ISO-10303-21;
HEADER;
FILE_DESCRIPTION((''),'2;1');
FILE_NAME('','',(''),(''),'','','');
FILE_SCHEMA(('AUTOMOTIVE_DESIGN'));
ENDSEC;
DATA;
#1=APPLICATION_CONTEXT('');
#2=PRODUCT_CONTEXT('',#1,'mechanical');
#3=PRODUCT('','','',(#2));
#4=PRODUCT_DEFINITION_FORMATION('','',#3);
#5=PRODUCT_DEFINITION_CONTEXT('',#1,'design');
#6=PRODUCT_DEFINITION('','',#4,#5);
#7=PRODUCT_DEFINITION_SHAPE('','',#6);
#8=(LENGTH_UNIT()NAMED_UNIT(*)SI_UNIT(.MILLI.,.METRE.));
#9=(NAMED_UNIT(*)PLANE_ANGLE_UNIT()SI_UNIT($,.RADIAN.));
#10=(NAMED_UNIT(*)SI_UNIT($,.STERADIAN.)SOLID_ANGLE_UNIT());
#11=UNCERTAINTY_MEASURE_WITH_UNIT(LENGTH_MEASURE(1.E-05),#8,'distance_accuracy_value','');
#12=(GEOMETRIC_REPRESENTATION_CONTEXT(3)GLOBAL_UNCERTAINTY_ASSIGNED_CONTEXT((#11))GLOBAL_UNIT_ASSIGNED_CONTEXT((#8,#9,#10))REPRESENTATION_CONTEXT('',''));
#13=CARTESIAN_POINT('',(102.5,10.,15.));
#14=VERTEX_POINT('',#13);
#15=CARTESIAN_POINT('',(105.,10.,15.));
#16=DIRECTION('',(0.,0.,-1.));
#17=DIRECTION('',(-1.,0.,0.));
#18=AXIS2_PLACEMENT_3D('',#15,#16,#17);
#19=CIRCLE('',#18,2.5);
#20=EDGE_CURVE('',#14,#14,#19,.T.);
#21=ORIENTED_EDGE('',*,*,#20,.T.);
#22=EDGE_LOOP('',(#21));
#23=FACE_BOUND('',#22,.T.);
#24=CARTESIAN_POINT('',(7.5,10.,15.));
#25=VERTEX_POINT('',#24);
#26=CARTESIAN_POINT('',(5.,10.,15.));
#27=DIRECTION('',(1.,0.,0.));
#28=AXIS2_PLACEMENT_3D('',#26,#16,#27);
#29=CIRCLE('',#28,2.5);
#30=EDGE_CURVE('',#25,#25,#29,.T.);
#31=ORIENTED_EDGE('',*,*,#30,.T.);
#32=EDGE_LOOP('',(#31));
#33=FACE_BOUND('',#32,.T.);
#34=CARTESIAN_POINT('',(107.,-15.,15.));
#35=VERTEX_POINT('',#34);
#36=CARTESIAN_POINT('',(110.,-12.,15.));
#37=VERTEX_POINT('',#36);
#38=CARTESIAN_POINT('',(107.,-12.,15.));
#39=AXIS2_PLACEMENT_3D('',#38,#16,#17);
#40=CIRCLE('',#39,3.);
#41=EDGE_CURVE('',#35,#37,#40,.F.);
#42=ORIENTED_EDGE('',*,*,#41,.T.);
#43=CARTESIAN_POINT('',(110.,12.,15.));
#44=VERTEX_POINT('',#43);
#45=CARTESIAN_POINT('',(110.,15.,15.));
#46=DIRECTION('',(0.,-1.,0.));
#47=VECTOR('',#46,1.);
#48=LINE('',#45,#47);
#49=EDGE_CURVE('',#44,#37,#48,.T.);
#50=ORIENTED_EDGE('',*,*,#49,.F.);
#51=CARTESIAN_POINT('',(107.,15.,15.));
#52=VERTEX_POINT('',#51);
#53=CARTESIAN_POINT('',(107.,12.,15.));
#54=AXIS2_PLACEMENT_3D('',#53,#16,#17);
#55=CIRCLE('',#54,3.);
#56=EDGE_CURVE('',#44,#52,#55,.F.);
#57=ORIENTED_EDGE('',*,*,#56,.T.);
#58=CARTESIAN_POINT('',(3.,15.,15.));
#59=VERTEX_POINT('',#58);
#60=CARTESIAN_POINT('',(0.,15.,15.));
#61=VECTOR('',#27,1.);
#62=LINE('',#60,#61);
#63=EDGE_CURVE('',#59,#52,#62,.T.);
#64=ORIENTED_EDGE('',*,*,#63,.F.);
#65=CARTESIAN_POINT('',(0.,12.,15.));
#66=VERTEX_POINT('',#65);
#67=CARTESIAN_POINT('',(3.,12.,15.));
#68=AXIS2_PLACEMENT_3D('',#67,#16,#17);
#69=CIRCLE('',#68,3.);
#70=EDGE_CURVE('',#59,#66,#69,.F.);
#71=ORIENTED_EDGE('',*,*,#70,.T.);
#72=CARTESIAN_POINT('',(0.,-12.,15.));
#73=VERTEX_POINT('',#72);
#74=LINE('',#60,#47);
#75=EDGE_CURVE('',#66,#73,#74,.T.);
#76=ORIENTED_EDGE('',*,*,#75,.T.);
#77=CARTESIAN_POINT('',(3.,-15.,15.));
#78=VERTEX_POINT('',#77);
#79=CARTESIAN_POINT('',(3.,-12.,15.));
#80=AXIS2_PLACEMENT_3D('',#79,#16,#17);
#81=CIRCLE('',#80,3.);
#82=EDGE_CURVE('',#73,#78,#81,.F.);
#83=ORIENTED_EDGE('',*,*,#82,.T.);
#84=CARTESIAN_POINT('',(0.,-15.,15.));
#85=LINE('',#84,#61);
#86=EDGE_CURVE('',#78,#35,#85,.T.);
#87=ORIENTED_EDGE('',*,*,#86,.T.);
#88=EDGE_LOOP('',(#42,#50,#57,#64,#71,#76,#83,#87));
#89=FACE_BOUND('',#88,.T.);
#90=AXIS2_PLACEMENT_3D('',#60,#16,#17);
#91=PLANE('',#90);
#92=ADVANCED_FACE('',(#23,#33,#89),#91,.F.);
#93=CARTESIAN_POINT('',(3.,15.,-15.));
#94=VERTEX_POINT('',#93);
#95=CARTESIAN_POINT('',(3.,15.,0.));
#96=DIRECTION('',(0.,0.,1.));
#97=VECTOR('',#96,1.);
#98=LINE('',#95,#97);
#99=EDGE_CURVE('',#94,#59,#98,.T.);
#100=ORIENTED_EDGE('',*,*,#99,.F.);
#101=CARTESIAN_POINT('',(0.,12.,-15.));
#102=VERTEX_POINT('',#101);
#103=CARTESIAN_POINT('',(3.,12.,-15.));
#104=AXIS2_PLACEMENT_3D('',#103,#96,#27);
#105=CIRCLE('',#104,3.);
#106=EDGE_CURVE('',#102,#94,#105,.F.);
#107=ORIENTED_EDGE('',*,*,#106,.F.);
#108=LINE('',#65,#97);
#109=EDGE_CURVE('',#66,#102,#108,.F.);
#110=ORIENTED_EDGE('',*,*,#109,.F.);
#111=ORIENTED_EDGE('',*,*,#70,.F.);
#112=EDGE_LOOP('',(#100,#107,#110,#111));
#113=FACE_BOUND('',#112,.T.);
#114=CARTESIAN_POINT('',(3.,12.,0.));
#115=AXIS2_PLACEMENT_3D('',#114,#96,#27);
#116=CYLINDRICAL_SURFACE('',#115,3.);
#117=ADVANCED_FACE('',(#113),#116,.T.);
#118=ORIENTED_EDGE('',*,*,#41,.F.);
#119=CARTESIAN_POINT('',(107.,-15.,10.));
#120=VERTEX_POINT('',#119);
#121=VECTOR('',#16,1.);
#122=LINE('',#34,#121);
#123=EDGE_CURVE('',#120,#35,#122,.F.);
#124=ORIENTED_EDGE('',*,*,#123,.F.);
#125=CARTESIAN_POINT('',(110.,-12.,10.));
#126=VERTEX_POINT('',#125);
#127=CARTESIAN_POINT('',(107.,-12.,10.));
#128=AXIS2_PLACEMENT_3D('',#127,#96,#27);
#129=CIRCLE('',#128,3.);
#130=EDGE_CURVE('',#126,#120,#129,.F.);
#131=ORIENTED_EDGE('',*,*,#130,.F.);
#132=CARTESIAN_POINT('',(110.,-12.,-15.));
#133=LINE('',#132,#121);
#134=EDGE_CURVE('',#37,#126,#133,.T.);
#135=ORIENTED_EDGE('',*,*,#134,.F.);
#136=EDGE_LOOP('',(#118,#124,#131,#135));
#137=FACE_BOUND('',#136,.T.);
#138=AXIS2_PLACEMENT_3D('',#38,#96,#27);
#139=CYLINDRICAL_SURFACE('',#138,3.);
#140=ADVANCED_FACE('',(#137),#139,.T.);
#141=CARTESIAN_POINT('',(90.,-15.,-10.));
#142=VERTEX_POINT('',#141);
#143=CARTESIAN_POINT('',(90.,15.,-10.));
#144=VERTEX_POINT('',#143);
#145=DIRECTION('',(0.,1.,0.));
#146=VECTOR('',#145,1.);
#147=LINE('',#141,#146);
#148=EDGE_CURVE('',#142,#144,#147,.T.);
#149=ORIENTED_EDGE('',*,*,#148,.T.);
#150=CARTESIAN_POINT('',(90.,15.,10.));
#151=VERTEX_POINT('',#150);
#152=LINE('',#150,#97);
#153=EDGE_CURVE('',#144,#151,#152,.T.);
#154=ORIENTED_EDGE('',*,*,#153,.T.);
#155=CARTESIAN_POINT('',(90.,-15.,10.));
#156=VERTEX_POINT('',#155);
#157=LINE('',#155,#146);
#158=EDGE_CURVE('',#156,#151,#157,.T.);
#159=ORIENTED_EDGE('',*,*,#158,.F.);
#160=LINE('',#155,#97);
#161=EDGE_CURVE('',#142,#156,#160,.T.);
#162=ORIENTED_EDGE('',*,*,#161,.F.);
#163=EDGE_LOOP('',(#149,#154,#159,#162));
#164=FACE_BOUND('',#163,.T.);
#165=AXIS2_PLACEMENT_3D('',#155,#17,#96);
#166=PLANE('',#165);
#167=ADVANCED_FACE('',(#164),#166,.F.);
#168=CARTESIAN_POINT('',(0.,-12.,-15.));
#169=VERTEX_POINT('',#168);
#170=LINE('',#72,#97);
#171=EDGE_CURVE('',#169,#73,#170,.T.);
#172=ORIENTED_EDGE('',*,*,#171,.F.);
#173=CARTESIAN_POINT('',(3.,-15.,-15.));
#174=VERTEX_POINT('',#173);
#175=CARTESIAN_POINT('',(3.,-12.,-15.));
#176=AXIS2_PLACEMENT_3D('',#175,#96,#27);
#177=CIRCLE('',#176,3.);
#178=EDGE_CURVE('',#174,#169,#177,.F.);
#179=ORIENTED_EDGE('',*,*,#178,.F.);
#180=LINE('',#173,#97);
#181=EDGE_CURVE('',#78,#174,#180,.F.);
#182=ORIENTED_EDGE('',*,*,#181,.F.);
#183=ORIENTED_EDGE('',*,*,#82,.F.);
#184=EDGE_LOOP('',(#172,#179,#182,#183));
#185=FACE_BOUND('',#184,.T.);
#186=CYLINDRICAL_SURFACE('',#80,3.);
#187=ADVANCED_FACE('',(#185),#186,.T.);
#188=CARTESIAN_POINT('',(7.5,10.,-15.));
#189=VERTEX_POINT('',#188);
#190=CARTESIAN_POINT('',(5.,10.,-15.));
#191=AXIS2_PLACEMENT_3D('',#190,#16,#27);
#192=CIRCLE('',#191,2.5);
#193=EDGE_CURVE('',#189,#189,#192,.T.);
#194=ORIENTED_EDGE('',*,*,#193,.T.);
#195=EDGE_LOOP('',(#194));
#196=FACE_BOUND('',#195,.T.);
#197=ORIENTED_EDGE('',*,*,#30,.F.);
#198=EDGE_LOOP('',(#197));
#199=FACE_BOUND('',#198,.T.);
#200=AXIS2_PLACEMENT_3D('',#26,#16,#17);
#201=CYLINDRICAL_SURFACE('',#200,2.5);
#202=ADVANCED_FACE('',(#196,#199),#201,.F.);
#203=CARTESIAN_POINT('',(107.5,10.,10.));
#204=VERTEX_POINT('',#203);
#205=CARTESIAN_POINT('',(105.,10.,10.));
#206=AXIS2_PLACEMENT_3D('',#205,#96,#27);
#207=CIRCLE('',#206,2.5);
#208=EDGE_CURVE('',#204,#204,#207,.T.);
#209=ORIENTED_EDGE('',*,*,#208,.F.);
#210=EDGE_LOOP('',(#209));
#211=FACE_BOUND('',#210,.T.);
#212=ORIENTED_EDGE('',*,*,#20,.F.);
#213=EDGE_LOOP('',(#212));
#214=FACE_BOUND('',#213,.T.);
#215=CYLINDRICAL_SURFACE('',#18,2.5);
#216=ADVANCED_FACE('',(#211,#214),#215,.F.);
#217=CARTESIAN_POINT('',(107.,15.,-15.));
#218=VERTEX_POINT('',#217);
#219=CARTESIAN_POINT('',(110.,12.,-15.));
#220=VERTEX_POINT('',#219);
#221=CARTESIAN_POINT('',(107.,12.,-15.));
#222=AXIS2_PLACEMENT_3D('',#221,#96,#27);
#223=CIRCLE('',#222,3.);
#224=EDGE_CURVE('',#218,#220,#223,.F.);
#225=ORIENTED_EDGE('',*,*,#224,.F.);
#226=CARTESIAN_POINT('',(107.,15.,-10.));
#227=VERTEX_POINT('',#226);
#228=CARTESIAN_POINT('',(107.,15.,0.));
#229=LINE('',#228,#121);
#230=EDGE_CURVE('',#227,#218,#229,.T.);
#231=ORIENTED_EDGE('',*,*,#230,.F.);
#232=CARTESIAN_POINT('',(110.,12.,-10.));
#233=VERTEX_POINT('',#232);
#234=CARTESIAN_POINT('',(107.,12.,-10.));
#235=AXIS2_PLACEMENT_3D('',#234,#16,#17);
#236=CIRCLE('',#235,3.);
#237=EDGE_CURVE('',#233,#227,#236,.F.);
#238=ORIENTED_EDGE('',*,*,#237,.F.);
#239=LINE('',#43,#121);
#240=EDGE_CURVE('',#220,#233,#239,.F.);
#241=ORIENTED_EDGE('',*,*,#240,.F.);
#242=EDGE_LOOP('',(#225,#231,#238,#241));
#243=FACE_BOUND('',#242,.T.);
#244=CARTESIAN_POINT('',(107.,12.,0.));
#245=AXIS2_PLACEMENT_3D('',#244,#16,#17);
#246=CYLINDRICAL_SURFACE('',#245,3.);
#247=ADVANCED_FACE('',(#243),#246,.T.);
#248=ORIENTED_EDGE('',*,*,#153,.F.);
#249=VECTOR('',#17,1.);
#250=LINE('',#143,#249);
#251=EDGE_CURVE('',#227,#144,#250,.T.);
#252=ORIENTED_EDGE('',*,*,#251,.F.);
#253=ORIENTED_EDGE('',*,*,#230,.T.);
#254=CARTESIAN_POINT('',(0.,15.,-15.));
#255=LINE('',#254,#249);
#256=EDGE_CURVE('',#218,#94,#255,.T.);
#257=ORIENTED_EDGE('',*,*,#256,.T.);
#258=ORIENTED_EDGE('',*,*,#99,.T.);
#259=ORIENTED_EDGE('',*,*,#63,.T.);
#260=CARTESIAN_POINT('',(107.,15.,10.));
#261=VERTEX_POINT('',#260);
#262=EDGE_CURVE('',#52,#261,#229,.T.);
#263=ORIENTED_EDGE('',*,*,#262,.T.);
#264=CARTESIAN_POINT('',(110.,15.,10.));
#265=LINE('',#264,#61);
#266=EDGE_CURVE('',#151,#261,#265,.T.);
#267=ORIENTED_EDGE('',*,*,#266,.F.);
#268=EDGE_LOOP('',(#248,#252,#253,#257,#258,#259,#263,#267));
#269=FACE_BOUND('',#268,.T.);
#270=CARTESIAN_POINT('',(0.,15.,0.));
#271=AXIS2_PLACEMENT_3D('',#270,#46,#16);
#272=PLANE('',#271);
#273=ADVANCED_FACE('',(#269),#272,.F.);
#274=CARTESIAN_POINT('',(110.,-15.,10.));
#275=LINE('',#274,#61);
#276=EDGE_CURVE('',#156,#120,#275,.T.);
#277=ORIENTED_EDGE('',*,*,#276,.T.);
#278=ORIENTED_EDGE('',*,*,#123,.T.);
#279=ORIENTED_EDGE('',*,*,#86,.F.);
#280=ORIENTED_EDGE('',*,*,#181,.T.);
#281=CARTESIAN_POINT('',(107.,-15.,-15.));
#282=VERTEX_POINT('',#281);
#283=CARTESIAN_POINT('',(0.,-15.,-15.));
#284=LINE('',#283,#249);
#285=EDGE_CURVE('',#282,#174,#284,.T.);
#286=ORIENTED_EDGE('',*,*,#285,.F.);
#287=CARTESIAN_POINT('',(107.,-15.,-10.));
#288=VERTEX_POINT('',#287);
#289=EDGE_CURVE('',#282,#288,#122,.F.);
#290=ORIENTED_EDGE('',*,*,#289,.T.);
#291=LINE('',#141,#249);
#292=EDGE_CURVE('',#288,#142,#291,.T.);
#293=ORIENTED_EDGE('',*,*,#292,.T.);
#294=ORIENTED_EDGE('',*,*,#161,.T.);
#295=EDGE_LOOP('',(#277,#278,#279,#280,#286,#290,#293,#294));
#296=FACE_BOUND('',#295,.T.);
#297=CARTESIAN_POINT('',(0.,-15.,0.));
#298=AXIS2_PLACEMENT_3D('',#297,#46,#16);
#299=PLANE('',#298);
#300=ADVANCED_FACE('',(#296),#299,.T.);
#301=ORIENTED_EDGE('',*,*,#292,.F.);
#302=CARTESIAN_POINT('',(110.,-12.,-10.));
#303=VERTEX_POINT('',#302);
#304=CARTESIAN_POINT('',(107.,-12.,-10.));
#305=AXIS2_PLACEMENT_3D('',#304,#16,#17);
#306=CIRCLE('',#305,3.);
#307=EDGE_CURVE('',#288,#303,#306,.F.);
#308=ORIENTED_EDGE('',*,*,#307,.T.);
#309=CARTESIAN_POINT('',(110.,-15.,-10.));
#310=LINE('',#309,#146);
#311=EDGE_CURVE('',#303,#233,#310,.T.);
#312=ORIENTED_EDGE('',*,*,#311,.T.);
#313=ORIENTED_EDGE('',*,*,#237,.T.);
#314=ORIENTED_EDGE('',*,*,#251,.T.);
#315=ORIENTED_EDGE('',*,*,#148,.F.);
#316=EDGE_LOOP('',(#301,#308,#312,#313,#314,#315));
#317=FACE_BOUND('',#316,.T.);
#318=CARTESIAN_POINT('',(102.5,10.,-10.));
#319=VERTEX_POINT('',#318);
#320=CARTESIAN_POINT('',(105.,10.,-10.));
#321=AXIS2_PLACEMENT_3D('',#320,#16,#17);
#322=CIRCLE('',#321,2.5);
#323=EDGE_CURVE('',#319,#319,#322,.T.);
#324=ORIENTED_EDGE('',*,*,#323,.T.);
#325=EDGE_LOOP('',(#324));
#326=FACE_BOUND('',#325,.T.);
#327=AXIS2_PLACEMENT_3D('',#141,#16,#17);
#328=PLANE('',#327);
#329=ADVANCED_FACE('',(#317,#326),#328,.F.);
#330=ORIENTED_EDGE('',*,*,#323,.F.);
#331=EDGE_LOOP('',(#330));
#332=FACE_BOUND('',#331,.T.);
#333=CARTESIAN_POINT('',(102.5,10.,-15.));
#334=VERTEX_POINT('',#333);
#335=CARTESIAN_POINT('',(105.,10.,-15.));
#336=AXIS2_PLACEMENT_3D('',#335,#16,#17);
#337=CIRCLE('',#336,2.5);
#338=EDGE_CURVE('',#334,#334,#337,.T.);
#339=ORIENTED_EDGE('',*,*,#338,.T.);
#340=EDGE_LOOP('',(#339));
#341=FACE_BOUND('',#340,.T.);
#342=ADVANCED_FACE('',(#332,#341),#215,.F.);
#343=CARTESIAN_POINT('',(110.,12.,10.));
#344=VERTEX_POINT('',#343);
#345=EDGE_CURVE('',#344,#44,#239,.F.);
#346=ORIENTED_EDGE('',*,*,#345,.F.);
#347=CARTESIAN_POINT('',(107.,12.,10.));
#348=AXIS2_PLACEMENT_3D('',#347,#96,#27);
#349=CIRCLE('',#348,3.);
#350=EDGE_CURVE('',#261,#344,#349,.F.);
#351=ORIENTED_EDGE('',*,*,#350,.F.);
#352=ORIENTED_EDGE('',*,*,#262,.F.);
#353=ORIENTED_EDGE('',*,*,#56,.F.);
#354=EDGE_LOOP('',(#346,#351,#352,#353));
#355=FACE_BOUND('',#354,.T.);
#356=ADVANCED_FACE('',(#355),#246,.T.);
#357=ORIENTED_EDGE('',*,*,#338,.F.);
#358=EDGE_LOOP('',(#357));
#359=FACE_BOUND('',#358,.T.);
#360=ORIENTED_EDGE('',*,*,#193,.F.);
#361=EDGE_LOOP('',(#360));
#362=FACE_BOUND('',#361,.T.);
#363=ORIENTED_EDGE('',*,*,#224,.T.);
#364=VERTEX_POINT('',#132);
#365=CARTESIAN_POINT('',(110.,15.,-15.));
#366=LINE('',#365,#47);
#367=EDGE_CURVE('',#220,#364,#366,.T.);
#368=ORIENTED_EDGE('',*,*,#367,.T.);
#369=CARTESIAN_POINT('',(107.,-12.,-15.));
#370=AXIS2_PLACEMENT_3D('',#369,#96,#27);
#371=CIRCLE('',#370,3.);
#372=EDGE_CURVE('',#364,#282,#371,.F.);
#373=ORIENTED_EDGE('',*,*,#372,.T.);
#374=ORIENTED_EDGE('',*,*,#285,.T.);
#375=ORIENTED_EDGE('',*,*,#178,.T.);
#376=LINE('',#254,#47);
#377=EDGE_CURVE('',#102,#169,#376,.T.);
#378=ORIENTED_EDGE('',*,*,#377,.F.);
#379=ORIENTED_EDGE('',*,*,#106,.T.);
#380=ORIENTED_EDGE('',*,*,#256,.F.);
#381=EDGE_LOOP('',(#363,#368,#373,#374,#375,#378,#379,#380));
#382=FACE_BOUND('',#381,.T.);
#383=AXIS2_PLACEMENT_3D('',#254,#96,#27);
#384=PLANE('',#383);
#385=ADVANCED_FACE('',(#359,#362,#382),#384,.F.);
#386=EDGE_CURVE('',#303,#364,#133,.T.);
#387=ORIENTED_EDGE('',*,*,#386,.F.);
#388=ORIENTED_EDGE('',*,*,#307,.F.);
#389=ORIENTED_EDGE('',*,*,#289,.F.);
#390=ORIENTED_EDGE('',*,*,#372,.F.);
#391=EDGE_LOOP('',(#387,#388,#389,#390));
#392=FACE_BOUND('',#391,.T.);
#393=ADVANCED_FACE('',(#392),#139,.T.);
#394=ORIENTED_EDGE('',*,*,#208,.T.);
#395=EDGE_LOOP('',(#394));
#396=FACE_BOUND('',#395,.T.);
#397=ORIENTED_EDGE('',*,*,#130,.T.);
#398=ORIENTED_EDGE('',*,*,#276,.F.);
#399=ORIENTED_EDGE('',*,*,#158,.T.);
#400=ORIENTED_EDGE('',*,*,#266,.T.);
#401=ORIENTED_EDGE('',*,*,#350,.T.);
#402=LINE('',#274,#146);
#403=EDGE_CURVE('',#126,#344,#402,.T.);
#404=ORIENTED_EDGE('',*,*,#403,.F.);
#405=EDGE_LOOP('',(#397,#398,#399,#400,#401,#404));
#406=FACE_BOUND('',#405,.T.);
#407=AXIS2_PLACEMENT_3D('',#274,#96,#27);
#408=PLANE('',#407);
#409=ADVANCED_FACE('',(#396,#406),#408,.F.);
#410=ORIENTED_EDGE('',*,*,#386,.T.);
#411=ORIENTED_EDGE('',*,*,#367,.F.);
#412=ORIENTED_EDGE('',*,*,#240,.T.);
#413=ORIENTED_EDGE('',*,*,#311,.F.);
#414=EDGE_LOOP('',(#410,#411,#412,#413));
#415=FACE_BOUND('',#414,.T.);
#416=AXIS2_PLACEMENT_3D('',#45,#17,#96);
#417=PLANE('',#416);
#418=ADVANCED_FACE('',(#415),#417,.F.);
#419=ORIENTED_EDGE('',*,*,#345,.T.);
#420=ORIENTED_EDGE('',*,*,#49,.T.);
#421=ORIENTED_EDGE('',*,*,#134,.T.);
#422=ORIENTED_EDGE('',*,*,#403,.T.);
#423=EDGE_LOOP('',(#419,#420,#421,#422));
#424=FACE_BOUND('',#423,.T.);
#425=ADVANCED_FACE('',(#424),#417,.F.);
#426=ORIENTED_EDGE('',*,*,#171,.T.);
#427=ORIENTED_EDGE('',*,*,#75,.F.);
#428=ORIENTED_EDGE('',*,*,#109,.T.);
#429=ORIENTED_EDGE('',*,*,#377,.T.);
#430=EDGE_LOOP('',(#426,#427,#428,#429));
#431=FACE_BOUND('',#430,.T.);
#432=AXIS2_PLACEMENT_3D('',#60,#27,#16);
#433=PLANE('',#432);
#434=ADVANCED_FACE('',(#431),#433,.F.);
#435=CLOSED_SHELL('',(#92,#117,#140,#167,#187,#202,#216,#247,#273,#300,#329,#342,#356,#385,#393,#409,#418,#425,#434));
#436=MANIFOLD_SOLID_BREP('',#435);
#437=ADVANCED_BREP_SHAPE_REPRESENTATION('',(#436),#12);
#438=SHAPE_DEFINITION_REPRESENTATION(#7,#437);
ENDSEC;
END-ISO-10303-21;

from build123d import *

# Parameters (mm, degrees)
ESQUISSE2_W             = 110
ESQUISSE2_H             = 30
BOSS_EXTRU_1_DEPTH      = 15
CONG_1_R                = 3
ESQUISSE4_W             = 20
ESQUISSE4_H             = 20
ENL_V_MAT_EXTRU_1_DEPTH = 31
ESQUISSE5_R             = 2.5
ENL_V_MAT_EXTRU_2_DEPTH = 31


with BuildPart() as part:
    # Esquisse2 → Boss.-Extru.1 (new body, symmetric)
    with BuildSketch(Plane(origin=(0, 0, 0), x_dir=(1, 0, 0), z_dir=(0, 1, 0))):
        with Locations((55, 0)):
            Rectangle(ESQUISSE2_W, ESQUISSE2_H)
    extrude(amount=BOSS_EXTRU_1_DEPTH, both=True)

    # Congé1
    cong_1_edges = [part.edges().sort_by_distance(p)[0] for p in [
        (110, 15, 0),
        (0, 15, 0),
        (110, -15, 0),
        (0, -15, 0),
    ]]
    fillet(cong_1_edges, radius=CONG_1_R)

    # Esquisse4 → Enlèv. mat.-Extru.1 (cut, through all)
    with BuildSketch(Plane(origin=(0, 15, 0), x_dir=(1, 0, 0), z_dir=(0, 1, 0))):
        with Locations((100, 0)):
            Rectangle(ESQUISSE4_W, ESQUISSE4_H)
    extrude(amount=-ENL_V_MAT_EXTRU_1_DEPTH, mode=Mode.SUBTRACT)

    # Esquisse5 → Enlèv. mat.-Extru.2 (cut, through all)
    with BuildSketch(Plane(origin=(0, 0, -15), x_dir=(-1, 0, 0), z_dir=(0, 0, -1))):
        with Locations((-105, 10)):
            Circle(ESQUISSE5_R)
        with Locations((-5, 10)):
            Circle(ESQUISSE5_R)
    extrude(amount=-ENL_V_MAT_EXTRU_2_DEPTH, mode=Mode.SUBTRACT)


solid = part.part
